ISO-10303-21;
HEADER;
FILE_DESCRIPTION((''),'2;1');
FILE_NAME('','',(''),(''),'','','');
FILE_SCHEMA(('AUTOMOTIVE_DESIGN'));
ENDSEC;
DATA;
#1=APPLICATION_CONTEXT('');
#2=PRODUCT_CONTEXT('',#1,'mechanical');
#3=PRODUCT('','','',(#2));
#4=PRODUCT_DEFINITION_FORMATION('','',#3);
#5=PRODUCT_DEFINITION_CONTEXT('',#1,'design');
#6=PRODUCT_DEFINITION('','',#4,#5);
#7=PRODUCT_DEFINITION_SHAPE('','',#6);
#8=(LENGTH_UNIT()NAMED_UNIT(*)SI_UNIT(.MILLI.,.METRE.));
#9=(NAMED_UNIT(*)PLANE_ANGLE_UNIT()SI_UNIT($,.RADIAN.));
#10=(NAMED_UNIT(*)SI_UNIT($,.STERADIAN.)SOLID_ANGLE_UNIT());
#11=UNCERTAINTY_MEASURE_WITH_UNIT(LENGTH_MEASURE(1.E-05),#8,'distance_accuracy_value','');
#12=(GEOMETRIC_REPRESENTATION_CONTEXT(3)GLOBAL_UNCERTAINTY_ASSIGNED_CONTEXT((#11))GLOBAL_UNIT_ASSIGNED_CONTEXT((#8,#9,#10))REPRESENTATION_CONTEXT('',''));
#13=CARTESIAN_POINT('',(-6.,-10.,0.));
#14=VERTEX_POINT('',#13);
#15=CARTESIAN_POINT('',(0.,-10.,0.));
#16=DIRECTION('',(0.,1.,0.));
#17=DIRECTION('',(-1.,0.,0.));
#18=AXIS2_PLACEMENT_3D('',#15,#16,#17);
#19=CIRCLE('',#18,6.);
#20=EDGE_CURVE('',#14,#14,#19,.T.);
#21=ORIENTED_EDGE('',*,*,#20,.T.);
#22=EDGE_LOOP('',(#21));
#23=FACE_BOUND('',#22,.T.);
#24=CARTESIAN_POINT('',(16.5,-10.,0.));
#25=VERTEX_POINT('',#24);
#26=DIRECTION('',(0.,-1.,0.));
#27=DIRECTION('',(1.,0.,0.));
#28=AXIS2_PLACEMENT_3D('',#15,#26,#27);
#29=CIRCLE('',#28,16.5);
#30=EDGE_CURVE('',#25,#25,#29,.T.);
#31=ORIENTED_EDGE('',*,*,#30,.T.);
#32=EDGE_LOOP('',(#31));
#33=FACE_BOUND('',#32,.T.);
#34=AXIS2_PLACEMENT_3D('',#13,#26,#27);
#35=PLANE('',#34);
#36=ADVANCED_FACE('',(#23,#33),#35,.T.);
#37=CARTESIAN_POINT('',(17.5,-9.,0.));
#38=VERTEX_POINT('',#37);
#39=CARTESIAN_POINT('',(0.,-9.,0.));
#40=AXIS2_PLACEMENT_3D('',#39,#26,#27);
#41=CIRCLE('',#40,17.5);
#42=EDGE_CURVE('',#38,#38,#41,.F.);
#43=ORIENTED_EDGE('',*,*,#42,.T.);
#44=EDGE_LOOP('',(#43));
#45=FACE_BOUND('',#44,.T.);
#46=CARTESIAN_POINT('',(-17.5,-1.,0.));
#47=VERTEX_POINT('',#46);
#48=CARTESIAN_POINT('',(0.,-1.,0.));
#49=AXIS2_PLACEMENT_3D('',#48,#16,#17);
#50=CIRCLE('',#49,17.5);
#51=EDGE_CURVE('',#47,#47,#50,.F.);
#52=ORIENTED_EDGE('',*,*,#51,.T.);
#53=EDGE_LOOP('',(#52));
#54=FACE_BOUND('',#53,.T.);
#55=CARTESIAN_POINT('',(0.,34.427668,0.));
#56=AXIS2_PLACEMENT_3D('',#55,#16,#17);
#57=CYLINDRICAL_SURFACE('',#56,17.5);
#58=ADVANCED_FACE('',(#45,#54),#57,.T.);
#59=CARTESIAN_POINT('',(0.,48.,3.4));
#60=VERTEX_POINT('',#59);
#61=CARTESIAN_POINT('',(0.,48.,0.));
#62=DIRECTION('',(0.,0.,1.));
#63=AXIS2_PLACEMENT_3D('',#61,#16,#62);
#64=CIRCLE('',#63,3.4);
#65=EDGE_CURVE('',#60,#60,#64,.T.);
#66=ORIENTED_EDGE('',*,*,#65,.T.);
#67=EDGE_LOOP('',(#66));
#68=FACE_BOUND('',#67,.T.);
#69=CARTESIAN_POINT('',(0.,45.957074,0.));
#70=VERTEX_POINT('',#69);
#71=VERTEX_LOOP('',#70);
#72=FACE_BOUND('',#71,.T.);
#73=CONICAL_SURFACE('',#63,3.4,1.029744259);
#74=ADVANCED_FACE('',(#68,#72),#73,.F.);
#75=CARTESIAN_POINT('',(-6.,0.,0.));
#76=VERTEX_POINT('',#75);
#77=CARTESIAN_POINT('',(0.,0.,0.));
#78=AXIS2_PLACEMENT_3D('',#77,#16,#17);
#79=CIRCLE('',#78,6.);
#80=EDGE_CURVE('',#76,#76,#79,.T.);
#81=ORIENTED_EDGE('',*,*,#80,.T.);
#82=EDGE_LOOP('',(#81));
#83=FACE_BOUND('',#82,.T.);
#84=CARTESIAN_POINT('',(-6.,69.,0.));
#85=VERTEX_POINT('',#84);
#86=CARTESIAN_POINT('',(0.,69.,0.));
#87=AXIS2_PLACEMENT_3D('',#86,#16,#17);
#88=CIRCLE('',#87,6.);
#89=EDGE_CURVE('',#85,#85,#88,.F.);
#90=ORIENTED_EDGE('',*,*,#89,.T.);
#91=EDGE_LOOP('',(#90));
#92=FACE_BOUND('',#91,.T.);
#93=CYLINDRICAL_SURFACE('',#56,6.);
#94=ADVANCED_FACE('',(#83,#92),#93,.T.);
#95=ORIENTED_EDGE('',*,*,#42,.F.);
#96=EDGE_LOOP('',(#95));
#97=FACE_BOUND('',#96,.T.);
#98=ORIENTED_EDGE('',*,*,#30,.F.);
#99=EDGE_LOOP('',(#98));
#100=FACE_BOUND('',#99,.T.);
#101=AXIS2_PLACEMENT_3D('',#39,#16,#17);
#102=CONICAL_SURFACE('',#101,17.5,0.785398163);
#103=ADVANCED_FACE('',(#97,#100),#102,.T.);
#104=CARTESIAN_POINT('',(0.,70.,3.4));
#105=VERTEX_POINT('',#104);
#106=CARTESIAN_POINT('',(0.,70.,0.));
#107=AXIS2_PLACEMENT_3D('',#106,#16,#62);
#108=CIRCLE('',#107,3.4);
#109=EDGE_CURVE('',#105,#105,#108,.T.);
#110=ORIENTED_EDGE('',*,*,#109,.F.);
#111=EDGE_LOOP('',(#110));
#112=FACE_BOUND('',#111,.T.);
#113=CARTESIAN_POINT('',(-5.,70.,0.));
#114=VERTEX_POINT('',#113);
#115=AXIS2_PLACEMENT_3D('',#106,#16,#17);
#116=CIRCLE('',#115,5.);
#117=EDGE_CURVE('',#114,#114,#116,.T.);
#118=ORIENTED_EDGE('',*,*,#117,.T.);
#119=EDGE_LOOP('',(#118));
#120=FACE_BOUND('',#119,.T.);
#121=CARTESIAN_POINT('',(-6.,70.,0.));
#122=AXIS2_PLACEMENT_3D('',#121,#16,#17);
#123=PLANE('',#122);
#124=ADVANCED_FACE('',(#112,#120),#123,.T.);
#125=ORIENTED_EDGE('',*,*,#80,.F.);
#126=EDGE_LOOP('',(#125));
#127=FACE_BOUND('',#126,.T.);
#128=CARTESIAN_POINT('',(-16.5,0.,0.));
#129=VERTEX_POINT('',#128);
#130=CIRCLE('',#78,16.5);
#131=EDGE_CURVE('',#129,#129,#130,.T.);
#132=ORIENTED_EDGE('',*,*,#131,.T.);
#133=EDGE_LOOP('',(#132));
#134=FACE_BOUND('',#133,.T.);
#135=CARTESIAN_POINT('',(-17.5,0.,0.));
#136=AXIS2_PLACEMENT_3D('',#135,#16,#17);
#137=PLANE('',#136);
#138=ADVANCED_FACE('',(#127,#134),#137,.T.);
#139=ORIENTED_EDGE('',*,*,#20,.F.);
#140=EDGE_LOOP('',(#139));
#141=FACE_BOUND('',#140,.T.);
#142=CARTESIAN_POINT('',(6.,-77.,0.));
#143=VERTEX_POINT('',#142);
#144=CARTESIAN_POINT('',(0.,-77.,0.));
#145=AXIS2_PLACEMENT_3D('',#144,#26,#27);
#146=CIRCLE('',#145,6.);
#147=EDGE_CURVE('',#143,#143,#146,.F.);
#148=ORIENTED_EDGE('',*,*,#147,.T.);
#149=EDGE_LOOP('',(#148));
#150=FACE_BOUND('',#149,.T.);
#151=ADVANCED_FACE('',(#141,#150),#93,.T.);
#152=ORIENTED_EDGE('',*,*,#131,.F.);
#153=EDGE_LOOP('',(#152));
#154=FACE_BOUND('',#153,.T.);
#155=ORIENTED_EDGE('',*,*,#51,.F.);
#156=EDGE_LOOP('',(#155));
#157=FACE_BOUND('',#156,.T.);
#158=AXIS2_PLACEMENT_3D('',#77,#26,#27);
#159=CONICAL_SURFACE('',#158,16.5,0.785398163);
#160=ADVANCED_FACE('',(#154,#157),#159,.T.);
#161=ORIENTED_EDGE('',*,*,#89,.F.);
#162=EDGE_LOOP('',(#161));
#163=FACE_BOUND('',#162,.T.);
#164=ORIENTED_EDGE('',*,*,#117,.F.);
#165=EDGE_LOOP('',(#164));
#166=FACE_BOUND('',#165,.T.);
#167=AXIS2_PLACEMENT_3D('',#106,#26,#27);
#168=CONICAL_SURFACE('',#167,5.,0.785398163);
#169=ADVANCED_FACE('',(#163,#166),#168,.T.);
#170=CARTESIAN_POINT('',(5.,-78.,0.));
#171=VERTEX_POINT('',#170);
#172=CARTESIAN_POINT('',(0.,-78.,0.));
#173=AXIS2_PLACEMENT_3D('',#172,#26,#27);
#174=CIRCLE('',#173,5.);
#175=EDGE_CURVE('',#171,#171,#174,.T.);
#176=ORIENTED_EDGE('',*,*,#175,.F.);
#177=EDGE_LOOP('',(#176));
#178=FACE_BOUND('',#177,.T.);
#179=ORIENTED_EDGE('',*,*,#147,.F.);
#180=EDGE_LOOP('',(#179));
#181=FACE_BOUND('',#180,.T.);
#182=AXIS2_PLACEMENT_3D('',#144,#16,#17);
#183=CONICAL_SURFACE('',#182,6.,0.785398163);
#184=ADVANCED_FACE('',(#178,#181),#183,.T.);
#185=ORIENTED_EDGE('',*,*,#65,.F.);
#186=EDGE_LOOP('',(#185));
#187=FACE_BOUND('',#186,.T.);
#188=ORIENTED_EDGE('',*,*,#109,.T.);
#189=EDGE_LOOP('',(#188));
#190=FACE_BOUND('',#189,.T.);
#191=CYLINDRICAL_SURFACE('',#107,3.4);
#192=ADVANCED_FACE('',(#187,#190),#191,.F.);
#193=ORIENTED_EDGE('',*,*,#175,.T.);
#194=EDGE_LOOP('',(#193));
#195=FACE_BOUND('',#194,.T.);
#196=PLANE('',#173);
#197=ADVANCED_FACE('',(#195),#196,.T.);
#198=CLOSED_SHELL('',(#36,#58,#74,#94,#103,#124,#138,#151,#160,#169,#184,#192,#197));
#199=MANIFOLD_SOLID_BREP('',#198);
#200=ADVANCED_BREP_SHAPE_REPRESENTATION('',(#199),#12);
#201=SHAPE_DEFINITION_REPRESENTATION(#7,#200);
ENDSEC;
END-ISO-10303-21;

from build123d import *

# Parameters (mm, degrees)
CHAMFER1_SIZE         = 1
TROU_TARAUD_M81_D     = 6.8
TROU_TARAUD_M81_DEPTH = 22
TROU_TARAUD_M81_TIP   = 2.042926105


with BuildPart() as part:
    # Sketch1 → Revolve1 (revolve)
    with BuildSketch(Plane.XY):
        Polygon((0, 70), (0, -78), (-6, -78), (-6, -10), (-17.5, -10), (-17.5, 0), (-6, 0), (-6, 70), align=None)
    revolve(axis=Axis((0, 34.427667765, 0), (0, -1, 0)))

    # Chamfer1
    chamfer1_edges = [part.edges().sort_by_distance(p)[0] for p in [
        (6, 70, 0),
        (17.5, 0, 0),
        (17.5, -10, 0),
        (6, -78, 0),
    ]]
    chamfer(chamfer1_edges, length=CHAMFER1_SIZE)

    # Trou taraudé M81
    with Locations(Plane(origin=(0, 70, 0), x_dir=(1, 0, 0), z_dir=(0, 1, 0))):
        with Locations((0, 0)):
            Hole(TROU_TARAUD_M81_D / 2, depth=TROU_TARAUD_M81_DEPTH)
            with Locations((0, 0, -(TROU_TARAUD_M81_DEPTH + TROU_TARAUD_M81_TIP / 2))):  # 118° drill point
                Cone(0, TROU_TARAUD_M81_D / 2, TROU_TARAUD_M81_TIP, mode=Mode.SUBTRACT)


solid = part.part
